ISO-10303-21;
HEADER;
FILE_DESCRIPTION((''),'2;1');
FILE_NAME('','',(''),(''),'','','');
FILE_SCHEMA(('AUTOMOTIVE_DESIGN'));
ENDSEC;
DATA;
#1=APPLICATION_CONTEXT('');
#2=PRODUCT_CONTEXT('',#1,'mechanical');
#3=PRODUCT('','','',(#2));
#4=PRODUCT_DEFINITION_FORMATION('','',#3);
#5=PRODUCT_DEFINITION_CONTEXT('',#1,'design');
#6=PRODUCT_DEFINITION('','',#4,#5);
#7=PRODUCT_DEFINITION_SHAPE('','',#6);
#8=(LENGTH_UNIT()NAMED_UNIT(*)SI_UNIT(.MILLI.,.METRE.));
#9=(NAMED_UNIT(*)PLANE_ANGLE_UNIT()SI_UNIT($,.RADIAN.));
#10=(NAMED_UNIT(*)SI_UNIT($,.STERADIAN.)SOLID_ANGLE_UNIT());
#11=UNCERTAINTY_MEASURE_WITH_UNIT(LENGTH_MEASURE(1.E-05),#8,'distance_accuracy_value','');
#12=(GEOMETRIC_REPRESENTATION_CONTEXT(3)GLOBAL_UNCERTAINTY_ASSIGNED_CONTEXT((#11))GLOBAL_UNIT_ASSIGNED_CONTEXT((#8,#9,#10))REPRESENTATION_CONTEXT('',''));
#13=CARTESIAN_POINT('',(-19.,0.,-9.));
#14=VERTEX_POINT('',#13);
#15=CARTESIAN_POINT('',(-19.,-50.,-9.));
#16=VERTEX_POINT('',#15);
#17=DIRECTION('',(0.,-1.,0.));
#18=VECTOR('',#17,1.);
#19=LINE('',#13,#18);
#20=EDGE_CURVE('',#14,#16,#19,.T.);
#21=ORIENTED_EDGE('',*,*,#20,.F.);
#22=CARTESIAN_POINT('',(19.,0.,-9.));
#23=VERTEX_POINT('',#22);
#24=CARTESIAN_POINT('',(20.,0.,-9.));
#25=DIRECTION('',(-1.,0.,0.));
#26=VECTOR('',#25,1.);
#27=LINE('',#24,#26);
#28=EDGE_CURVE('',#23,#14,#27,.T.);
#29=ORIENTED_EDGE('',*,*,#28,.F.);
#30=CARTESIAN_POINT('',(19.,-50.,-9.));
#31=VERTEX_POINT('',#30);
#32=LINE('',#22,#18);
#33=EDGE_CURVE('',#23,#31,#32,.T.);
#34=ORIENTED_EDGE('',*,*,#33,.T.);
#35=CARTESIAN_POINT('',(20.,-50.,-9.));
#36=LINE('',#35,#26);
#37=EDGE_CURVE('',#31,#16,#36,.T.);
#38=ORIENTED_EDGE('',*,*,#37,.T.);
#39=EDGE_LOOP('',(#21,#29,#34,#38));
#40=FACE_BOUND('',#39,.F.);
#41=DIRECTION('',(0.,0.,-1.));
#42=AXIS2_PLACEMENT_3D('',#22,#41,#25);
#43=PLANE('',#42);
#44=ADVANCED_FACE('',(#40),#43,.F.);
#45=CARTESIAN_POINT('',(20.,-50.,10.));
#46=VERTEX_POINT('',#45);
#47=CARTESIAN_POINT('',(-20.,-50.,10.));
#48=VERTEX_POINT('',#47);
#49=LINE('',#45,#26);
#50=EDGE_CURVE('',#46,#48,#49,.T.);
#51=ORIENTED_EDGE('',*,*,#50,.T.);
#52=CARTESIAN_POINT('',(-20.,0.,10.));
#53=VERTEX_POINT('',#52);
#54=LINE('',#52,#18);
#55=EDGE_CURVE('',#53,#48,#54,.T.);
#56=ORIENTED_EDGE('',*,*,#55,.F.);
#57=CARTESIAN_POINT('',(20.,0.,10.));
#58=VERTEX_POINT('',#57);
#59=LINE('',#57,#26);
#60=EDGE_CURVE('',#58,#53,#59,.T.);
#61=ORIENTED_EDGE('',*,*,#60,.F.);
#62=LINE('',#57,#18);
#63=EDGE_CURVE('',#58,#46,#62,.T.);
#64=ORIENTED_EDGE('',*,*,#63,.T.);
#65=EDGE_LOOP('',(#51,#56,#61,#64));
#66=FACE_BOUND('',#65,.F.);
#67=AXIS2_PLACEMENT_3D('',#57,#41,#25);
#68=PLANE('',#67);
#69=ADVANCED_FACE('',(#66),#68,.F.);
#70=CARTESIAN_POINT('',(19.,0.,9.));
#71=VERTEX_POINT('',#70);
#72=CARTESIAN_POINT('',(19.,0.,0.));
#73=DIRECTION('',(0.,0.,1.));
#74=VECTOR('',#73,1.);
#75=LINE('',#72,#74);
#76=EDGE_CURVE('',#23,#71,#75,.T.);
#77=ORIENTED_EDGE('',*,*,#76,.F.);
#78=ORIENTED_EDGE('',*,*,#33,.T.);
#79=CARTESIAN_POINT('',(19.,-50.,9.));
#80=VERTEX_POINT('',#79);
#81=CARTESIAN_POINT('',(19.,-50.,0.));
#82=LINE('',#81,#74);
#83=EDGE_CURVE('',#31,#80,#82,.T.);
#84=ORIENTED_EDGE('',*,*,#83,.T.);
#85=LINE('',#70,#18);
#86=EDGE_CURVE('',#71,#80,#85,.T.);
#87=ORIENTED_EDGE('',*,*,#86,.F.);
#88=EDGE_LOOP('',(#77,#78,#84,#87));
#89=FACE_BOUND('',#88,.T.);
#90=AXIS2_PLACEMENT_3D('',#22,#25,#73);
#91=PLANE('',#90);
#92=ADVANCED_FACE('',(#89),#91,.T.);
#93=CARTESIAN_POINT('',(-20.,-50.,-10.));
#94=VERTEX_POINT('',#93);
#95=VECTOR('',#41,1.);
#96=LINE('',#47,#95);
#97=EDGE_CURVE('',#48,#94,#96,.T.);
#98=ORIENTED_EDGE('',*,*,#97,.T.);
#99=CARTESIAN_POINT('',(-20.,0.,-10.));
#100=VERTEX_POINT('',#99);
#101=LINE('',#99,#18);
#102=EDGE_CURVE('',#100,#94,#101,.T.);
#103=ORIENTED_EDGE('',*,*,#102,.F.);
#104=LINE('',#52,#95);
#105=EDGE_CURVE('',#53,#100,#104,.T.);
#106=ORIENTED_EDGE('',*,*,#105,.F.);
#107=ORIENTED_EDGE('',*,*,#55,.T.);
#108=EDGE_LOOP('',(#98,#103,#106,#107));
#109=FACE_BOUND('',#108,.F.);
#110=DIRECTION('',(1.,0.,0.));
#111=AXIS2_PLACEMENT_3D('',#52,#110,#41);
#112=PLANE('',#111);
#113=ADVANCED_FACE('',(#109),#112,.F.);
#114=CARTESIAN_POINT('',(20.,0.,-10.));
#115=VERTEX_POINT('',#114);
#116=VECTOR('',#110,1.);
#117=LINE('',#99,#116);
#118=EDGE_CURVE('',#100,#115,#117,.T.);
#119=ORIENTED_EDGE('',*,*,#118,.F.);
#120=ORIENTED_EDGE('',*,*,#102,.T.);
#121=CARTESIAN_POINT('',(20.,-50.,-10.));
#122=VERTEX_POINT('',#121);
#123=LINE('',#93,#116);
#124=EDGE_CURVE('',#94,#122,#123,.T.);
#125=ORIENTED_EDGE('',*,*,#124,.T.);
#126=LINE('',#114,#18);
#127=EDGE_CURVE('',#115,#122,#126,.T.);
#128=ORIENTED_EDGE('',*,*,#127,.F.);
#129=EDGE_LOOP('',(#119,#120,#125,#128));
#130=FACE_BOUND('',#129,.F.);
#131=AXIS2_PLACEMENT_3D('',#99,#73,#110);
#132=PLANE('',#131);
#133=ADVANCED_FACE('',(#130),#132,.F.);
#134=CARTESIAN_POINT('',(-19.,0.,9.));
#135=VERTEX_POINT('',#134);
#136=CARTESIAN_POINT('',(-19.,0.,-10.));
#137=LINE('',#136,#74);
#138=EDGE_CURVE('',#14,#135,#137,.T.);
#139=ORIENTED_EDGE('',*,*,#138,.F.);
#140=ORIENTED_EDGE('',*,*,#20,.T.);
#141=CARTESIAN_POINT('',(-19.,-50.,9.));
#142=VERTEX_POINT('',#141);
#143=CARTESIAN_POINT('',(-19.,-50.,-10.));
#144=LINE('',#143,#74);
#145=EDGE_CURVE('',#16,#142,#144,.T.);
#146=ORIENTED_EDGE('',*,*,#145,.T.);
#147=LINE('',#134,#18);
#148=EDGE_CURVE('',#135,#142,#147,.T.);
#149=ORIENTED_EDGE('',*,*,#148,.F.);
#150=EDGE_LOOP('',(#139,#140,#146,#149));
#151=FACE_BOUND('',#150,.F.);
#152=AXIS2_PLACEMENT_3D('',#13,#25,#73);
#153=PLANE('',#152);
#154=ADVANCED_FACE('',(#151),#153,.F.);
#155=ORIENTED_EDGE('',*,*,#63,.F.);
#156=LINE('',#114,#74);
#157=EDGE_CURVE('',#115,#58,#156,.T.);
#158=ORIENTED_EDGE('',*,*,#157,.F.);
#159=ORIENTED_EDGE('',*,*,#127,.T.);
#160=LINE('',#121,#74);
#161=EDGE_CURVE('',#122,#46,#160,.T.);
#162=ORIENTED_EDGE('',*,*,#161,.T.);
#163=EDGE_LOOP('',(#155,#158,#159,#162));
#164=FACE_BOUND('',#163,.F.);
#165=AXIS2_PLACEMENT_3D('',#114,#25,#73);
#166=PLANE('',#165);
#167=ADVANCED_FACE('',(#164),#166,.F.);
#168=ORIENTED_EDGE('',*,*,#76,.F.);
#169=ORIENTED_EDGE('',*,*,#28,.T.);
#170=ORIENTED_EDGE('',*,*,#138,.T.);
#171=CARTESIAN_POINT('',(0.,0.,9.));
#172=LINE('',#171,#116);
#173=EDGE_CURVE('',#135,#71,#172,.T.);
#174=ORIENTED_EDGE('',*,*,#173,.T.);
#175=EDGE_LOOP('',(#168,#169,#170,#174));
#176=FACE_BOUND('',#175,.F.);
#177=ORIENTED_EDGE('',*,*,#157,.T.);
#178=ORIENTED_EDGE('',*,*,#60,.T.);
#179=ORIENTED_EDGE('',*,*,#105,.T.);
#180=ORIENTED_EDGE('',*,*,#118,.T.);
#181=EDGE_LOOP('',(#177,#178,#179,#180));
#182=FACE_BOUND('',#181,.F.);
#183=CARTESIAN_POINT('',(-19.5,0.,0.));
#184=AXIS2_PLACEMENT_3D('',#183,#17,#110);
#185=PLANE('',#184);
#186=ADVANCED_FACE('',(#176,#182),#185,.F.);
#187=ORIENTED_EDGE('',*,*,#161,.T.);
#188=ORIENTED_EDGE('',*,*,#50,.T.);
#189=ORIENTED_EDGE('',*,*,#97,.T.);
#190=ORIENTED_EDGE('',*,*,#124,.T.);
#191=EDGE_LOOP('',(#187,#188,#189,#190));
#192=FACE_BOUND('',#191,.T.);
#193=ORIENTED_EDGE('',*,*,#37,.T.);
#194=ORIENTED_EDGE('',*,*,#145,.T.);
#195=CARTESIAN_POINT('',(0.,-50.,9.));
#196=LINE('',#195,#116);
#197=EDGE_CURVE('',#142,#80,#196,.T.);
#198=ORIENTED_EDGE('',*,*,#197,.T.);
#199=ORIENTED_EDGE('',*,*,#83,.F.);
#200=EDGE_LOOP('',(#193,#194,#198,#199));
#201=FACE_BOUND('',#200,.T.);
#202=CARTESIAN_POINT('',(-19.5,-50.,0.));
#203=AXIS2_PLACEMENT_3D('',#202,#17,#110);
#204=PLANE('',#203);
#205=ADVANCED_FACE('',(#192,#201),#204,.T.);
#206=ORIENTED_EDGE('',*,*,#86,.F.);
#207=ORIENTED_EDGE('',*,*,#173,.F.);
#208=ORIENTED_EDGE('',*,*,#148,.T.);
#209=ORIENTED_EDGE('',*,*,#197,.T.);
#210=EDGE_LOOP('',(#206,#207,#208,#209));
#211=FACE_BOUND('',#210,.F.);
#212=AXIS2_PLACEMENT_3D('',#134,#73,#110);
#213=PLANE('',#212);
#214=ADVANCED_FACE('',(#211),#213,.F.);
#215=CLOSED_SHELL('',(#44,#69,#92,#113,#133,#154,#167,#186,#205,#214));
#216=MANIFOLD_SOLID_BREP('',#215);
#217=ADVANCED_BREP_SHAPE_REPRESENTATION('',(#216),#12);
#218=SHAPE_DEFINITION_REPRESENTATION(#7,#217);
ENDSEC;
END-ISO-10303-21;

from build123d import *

# Parameters (mm, degrees)
F0_W     = 38
F0_H     = 1
F0_W_2   = 1
F0_H_2   = 18
F1_DEPTH = 50


with BuildPart() as f1:
    # F0 (on Front) → F1 (new body)
    with BuildSketch(Plane.XZ):
        Polygon((-20, 10), (-20, -10), (-19, -10), (-19, -9), (-19, 9), (-19, 10), align=None)
        with Locations((0, -9.5)):
            Rectangle(F0_W, F0_H)
        with Locations((19.5, -9.5)):
            Rectangle(F0_W_2, F0_H)
        with Locations((0, 9.5)):
            Rectangle(F0_W, F0_H)
        with Locations((19.5, 0)):
            Rectangle(F0_W_2, F0_H_2)
        with Locations((19.5, 9.5)):
            Rectangle(F0_W_2, F0_H)
    extrude(amount=F1_DEPTH)


solid = f1.part
